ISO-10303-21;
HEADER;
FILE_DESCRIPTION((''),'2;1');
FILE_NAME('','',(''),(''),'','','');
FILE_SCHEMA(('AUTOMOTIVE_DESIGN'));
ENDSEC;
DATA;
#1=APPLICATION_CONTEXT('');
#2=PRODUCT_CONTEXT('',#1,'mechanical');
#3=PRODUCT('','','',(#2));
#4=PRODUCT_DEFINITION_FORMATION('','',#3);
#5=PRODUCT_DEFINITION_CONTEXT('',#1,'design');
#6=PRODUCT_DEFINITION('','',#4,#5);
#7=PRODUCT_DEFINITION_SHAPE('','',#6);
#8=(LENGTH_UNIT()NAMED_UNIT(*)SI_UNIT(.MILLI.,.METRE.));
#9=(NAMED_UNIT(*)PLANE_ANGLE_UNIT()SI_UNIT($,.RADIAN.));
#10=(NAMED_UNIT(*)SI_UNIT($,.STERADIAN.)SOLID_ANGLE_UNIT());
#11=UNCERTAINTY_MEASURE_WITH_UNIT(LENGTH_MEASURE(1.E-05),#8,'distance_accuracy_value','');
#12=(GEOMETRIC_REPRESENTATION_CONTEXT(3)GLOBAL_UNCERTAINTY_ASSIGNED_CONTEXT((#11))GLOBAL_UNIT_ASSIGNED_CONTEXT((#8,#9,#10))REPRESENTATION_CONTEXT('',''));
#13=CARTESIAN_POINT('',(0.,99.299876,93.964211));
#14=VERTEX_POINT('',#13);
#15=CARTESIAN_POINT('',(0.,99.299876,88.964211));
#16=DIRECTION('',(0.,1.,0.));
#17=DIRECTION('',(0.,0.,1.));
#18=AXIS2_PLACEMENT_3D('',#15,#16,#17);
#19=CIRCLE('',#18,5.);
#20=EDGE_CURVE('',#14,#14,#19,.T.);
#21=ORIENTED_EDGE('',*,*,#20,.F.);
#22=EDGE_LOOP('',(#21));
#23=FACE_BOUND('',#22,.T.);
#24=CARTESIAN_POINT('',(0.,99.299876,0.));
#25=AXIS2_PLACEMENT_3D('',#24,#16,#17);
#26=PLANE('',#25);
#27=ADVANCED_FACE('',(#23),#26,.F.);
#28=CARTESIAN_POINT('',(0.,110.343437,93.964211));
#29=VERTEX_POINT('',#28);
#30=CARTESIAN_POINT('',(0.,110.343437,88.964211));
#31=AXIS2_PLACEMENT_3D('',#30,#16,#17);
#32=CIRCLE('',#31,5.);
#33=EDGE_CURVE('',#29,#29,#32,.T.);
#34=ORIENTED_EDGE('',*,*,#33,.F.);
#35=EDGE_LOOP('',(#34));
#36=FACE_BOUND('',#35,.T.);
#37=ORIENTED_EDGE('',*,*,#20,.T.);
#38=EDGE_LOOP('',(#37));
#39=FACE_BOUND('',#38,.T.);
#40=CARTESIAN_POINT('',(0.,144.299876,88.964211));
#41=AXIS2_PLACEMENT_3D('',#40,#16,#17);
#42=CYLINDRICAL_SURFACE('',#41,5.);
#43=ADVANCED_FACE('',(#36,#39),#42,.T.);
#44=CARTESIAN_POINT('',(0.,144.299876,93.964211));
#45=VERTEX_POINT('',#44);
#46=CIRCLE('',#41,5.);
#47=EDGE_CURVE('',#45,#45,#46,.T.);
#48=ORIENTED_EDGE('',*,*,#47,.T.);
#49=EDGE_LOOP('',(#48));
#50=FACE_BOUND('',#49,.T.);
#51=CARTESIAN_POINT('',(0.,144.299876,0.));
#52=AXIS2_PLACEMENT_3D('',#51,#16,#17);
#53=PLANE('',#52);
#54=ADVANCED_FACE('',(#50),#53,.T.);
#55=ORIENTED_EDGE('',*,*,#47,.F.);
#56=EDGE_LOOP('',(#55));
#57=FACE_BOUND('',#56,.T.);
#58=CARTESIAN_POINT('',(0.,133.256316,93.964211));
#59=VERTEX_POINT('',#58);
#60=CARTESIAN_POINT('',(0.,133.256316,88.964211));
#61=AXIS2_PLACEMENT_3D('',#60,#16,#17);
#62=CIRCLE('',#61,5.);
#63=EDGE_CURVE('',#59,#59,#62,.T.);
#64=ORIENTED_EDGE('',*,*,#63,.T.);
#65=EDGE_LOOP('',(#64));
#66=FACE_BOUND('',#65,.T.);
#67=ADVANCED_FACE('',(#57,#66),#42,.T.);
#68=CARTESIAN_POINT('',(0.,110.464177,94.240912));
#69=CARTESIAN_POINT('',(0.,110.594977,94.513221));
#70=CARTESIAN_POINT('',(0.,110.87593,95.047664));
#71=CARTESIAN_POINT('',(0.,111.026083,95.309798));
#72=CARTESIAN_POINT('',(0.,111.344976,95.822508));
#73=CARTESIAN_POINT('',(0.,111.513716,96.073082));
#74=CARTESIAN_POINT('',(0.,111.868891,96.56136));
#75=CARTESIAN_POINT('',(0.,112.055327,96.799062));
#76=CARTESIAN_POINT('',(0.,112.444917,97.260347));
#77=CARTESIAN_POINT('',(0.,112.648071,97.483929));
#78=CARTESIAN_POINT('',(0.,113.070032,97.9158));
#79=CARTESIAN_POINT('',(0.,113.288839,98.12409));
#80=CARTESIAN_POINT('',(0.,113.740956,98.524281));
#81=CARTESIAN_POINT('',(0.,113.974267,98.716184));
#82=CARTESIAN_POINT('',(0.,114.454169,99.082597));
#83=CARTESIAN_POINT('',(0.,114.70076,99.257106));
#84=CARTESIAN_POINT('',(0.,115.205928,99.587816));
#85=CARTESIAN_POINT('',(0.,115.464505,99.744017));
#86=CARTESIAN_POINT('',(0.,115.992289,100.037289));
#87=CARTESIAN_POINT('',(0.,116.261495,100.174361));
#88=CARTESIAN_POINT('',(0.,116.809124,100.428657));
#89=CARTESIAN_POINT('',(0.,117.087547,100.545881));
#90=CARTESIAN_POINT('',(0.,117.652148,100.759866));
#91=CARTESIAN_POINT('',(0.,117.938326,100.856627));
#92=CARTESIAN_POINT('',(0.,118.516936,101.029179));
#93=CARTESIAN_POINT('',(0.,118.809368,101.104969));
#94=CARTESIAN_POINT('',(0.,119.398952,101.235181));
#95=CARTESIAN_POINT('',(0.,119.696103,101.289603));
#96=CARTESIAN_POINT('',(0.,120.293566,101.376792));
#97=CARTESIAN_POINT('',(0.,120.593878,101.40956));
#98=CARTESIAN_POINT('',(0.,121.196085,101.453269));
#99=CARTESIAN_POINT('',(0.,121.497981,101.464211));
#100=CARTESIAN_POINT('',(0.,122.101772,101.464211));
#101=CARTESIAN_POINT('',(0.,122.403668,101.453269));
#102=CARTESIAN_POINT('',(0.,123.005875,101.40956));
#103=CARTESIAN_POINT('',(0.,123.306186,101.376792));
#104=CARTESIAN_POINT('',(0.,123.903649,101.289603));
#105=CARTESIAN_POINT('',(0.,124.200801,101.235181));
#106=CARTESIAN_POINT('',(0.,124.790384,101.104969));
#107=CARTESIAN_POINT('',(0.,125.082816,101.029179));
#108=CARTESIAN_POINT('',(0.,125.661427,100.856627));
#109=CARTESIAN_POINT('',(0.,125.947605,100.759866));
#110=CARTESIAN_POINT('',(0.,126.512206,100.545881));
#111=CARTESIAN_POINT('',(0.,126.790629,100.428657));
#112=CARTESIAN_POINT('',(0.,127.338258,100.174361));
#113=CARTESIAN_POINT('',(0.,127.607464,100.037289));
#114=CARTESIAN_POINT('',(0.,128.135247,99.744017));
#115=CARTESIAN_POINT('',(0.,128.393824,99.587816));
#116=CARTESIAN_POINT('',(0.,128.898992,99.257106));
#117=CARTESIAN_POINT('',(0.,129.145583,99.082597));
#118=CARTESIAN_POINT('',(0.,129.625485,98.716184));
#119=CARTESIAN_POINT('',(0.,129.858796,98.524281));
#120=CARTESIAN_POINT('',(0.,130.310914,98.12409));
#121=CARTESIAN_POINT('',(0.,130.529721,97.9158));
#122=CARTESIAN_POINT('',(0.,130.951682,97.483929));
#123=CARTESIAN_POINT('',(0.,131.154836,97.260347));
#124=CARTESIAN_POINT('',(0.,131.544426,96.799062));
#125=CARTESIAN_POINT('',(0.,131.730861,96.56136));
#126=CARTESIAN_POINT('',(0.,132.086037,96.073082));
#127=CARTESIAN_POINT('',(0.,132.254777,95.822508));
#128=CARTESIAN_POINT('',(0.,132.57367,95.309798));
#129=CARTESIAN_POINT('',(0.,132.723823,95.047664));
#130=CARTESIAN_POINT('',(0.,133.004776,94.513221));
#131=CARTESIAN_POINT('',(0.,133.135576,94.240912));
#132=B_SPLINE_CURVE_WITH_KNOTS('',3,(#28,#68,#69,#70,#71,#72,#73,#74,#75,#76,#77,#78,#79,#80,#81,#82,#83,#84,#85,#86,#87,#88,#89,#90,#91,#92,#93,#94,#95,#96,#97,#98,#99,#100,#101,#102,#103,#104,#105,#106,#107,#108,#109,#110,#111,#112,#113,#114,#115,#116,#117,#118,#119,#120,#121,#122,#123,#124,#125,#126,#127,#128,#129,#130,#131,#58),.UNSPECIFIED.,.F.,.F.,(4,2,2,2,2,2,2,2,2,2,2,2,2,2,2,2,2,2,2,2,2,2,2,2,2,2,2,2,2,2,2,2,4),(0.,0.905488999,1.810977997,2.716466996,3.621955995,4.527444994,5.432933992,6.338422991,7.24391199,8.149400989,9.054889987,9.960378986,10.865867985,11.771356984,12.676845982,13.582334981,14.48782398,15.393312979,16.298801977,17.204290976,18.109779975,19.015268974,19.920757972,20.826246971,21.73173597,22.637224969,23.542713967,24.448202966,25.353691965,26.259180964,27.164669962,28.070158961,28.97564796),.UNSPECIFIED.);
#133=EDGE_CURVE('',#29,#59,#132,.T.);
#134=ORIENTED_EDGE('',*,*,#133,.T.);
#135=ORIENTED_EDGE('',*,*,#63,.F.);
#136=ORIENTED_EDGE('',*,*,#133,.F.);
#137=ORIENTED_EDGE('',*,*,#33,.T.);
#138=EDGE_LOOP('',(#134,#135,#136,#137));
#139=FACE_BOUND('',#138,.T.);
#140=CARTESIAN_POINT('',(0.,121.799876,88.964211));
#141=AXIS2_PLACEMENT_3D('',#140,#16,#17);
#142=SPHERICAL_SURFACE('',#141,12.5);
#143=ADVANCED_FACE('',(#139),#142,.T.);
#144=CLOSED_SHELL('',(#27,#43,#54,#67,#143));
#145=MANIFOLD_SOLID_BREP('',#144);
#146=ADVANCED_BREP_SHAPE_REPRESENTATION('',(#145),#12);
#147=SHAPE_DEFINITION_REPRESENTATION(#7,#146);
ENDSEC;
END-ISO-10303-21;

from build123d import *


with BuildPart() as part:
    # Sketch2 → Revolve1 (revolve)
    with BuildSketch(Plane(origin=(0, 0, 0), x_dir=(0, 0, -1), z_dir=(1, 0, 0))):
        with BuildLine():
            Line((-93.96421084, 110.343437059), (-93.96421084, 133.256315534))
            ThreePointArc((-93.96421084, 133.256315534), (-101.46421084, 121.799876296), (-93.96421084, 110.343437059))
        make_face()
        with BuildLine():
            Line((-88.96421084, 109.299876296), (-88.96421084, 134.299876296))
            ThreePointArc((-88.96421084, 134.299876296), (-91.518081386, 134.036205208), (-93.96421084, 133.256315534))
            Line((-93.96421084, 133.256315534), (-93.96421084, 110.343437059))
            ThreePointArc((-93.96421084, 110.343437059), (-91.518081386, 109.563547385), (-88.96421084, 109.299876296))
        make_face()
        with BuildLine():
            Line((-88.96421084, 134.299876296), (-88.96421084, 144.299876296))
            Line((-88.96421084, 144.299876296), (-93.96421084, 144.299876296))
            Line((-93.96421084, 144.299876296), (-93.96421084, 133.256315534))
            ThreePointArc((-93.96421084, 133.256315534), (-91.518081386, 134.036205208), (-88.96421084, 134.299876296))
        make_face()
        with BuildLine():
            Line((-88.96421084, 99.299876296), (-88.96421084, 109.299876296))
            ThreePointArc((-88.96421084, 109.299876296), (-91.518081386, 109.563547385), (-93.96421084, 110.343437059))
            Line((-93.96421084, 110.343437059), (-93.96421084, 99.299876296))
            Line((-93.96421084, 99.299876296), (-88.96421084, 99.299876296))
        make_face()
    revolve(axis=Axis((0, 144.299876296, 88.96421084), (0, -1, 0)))


solid = part.part
